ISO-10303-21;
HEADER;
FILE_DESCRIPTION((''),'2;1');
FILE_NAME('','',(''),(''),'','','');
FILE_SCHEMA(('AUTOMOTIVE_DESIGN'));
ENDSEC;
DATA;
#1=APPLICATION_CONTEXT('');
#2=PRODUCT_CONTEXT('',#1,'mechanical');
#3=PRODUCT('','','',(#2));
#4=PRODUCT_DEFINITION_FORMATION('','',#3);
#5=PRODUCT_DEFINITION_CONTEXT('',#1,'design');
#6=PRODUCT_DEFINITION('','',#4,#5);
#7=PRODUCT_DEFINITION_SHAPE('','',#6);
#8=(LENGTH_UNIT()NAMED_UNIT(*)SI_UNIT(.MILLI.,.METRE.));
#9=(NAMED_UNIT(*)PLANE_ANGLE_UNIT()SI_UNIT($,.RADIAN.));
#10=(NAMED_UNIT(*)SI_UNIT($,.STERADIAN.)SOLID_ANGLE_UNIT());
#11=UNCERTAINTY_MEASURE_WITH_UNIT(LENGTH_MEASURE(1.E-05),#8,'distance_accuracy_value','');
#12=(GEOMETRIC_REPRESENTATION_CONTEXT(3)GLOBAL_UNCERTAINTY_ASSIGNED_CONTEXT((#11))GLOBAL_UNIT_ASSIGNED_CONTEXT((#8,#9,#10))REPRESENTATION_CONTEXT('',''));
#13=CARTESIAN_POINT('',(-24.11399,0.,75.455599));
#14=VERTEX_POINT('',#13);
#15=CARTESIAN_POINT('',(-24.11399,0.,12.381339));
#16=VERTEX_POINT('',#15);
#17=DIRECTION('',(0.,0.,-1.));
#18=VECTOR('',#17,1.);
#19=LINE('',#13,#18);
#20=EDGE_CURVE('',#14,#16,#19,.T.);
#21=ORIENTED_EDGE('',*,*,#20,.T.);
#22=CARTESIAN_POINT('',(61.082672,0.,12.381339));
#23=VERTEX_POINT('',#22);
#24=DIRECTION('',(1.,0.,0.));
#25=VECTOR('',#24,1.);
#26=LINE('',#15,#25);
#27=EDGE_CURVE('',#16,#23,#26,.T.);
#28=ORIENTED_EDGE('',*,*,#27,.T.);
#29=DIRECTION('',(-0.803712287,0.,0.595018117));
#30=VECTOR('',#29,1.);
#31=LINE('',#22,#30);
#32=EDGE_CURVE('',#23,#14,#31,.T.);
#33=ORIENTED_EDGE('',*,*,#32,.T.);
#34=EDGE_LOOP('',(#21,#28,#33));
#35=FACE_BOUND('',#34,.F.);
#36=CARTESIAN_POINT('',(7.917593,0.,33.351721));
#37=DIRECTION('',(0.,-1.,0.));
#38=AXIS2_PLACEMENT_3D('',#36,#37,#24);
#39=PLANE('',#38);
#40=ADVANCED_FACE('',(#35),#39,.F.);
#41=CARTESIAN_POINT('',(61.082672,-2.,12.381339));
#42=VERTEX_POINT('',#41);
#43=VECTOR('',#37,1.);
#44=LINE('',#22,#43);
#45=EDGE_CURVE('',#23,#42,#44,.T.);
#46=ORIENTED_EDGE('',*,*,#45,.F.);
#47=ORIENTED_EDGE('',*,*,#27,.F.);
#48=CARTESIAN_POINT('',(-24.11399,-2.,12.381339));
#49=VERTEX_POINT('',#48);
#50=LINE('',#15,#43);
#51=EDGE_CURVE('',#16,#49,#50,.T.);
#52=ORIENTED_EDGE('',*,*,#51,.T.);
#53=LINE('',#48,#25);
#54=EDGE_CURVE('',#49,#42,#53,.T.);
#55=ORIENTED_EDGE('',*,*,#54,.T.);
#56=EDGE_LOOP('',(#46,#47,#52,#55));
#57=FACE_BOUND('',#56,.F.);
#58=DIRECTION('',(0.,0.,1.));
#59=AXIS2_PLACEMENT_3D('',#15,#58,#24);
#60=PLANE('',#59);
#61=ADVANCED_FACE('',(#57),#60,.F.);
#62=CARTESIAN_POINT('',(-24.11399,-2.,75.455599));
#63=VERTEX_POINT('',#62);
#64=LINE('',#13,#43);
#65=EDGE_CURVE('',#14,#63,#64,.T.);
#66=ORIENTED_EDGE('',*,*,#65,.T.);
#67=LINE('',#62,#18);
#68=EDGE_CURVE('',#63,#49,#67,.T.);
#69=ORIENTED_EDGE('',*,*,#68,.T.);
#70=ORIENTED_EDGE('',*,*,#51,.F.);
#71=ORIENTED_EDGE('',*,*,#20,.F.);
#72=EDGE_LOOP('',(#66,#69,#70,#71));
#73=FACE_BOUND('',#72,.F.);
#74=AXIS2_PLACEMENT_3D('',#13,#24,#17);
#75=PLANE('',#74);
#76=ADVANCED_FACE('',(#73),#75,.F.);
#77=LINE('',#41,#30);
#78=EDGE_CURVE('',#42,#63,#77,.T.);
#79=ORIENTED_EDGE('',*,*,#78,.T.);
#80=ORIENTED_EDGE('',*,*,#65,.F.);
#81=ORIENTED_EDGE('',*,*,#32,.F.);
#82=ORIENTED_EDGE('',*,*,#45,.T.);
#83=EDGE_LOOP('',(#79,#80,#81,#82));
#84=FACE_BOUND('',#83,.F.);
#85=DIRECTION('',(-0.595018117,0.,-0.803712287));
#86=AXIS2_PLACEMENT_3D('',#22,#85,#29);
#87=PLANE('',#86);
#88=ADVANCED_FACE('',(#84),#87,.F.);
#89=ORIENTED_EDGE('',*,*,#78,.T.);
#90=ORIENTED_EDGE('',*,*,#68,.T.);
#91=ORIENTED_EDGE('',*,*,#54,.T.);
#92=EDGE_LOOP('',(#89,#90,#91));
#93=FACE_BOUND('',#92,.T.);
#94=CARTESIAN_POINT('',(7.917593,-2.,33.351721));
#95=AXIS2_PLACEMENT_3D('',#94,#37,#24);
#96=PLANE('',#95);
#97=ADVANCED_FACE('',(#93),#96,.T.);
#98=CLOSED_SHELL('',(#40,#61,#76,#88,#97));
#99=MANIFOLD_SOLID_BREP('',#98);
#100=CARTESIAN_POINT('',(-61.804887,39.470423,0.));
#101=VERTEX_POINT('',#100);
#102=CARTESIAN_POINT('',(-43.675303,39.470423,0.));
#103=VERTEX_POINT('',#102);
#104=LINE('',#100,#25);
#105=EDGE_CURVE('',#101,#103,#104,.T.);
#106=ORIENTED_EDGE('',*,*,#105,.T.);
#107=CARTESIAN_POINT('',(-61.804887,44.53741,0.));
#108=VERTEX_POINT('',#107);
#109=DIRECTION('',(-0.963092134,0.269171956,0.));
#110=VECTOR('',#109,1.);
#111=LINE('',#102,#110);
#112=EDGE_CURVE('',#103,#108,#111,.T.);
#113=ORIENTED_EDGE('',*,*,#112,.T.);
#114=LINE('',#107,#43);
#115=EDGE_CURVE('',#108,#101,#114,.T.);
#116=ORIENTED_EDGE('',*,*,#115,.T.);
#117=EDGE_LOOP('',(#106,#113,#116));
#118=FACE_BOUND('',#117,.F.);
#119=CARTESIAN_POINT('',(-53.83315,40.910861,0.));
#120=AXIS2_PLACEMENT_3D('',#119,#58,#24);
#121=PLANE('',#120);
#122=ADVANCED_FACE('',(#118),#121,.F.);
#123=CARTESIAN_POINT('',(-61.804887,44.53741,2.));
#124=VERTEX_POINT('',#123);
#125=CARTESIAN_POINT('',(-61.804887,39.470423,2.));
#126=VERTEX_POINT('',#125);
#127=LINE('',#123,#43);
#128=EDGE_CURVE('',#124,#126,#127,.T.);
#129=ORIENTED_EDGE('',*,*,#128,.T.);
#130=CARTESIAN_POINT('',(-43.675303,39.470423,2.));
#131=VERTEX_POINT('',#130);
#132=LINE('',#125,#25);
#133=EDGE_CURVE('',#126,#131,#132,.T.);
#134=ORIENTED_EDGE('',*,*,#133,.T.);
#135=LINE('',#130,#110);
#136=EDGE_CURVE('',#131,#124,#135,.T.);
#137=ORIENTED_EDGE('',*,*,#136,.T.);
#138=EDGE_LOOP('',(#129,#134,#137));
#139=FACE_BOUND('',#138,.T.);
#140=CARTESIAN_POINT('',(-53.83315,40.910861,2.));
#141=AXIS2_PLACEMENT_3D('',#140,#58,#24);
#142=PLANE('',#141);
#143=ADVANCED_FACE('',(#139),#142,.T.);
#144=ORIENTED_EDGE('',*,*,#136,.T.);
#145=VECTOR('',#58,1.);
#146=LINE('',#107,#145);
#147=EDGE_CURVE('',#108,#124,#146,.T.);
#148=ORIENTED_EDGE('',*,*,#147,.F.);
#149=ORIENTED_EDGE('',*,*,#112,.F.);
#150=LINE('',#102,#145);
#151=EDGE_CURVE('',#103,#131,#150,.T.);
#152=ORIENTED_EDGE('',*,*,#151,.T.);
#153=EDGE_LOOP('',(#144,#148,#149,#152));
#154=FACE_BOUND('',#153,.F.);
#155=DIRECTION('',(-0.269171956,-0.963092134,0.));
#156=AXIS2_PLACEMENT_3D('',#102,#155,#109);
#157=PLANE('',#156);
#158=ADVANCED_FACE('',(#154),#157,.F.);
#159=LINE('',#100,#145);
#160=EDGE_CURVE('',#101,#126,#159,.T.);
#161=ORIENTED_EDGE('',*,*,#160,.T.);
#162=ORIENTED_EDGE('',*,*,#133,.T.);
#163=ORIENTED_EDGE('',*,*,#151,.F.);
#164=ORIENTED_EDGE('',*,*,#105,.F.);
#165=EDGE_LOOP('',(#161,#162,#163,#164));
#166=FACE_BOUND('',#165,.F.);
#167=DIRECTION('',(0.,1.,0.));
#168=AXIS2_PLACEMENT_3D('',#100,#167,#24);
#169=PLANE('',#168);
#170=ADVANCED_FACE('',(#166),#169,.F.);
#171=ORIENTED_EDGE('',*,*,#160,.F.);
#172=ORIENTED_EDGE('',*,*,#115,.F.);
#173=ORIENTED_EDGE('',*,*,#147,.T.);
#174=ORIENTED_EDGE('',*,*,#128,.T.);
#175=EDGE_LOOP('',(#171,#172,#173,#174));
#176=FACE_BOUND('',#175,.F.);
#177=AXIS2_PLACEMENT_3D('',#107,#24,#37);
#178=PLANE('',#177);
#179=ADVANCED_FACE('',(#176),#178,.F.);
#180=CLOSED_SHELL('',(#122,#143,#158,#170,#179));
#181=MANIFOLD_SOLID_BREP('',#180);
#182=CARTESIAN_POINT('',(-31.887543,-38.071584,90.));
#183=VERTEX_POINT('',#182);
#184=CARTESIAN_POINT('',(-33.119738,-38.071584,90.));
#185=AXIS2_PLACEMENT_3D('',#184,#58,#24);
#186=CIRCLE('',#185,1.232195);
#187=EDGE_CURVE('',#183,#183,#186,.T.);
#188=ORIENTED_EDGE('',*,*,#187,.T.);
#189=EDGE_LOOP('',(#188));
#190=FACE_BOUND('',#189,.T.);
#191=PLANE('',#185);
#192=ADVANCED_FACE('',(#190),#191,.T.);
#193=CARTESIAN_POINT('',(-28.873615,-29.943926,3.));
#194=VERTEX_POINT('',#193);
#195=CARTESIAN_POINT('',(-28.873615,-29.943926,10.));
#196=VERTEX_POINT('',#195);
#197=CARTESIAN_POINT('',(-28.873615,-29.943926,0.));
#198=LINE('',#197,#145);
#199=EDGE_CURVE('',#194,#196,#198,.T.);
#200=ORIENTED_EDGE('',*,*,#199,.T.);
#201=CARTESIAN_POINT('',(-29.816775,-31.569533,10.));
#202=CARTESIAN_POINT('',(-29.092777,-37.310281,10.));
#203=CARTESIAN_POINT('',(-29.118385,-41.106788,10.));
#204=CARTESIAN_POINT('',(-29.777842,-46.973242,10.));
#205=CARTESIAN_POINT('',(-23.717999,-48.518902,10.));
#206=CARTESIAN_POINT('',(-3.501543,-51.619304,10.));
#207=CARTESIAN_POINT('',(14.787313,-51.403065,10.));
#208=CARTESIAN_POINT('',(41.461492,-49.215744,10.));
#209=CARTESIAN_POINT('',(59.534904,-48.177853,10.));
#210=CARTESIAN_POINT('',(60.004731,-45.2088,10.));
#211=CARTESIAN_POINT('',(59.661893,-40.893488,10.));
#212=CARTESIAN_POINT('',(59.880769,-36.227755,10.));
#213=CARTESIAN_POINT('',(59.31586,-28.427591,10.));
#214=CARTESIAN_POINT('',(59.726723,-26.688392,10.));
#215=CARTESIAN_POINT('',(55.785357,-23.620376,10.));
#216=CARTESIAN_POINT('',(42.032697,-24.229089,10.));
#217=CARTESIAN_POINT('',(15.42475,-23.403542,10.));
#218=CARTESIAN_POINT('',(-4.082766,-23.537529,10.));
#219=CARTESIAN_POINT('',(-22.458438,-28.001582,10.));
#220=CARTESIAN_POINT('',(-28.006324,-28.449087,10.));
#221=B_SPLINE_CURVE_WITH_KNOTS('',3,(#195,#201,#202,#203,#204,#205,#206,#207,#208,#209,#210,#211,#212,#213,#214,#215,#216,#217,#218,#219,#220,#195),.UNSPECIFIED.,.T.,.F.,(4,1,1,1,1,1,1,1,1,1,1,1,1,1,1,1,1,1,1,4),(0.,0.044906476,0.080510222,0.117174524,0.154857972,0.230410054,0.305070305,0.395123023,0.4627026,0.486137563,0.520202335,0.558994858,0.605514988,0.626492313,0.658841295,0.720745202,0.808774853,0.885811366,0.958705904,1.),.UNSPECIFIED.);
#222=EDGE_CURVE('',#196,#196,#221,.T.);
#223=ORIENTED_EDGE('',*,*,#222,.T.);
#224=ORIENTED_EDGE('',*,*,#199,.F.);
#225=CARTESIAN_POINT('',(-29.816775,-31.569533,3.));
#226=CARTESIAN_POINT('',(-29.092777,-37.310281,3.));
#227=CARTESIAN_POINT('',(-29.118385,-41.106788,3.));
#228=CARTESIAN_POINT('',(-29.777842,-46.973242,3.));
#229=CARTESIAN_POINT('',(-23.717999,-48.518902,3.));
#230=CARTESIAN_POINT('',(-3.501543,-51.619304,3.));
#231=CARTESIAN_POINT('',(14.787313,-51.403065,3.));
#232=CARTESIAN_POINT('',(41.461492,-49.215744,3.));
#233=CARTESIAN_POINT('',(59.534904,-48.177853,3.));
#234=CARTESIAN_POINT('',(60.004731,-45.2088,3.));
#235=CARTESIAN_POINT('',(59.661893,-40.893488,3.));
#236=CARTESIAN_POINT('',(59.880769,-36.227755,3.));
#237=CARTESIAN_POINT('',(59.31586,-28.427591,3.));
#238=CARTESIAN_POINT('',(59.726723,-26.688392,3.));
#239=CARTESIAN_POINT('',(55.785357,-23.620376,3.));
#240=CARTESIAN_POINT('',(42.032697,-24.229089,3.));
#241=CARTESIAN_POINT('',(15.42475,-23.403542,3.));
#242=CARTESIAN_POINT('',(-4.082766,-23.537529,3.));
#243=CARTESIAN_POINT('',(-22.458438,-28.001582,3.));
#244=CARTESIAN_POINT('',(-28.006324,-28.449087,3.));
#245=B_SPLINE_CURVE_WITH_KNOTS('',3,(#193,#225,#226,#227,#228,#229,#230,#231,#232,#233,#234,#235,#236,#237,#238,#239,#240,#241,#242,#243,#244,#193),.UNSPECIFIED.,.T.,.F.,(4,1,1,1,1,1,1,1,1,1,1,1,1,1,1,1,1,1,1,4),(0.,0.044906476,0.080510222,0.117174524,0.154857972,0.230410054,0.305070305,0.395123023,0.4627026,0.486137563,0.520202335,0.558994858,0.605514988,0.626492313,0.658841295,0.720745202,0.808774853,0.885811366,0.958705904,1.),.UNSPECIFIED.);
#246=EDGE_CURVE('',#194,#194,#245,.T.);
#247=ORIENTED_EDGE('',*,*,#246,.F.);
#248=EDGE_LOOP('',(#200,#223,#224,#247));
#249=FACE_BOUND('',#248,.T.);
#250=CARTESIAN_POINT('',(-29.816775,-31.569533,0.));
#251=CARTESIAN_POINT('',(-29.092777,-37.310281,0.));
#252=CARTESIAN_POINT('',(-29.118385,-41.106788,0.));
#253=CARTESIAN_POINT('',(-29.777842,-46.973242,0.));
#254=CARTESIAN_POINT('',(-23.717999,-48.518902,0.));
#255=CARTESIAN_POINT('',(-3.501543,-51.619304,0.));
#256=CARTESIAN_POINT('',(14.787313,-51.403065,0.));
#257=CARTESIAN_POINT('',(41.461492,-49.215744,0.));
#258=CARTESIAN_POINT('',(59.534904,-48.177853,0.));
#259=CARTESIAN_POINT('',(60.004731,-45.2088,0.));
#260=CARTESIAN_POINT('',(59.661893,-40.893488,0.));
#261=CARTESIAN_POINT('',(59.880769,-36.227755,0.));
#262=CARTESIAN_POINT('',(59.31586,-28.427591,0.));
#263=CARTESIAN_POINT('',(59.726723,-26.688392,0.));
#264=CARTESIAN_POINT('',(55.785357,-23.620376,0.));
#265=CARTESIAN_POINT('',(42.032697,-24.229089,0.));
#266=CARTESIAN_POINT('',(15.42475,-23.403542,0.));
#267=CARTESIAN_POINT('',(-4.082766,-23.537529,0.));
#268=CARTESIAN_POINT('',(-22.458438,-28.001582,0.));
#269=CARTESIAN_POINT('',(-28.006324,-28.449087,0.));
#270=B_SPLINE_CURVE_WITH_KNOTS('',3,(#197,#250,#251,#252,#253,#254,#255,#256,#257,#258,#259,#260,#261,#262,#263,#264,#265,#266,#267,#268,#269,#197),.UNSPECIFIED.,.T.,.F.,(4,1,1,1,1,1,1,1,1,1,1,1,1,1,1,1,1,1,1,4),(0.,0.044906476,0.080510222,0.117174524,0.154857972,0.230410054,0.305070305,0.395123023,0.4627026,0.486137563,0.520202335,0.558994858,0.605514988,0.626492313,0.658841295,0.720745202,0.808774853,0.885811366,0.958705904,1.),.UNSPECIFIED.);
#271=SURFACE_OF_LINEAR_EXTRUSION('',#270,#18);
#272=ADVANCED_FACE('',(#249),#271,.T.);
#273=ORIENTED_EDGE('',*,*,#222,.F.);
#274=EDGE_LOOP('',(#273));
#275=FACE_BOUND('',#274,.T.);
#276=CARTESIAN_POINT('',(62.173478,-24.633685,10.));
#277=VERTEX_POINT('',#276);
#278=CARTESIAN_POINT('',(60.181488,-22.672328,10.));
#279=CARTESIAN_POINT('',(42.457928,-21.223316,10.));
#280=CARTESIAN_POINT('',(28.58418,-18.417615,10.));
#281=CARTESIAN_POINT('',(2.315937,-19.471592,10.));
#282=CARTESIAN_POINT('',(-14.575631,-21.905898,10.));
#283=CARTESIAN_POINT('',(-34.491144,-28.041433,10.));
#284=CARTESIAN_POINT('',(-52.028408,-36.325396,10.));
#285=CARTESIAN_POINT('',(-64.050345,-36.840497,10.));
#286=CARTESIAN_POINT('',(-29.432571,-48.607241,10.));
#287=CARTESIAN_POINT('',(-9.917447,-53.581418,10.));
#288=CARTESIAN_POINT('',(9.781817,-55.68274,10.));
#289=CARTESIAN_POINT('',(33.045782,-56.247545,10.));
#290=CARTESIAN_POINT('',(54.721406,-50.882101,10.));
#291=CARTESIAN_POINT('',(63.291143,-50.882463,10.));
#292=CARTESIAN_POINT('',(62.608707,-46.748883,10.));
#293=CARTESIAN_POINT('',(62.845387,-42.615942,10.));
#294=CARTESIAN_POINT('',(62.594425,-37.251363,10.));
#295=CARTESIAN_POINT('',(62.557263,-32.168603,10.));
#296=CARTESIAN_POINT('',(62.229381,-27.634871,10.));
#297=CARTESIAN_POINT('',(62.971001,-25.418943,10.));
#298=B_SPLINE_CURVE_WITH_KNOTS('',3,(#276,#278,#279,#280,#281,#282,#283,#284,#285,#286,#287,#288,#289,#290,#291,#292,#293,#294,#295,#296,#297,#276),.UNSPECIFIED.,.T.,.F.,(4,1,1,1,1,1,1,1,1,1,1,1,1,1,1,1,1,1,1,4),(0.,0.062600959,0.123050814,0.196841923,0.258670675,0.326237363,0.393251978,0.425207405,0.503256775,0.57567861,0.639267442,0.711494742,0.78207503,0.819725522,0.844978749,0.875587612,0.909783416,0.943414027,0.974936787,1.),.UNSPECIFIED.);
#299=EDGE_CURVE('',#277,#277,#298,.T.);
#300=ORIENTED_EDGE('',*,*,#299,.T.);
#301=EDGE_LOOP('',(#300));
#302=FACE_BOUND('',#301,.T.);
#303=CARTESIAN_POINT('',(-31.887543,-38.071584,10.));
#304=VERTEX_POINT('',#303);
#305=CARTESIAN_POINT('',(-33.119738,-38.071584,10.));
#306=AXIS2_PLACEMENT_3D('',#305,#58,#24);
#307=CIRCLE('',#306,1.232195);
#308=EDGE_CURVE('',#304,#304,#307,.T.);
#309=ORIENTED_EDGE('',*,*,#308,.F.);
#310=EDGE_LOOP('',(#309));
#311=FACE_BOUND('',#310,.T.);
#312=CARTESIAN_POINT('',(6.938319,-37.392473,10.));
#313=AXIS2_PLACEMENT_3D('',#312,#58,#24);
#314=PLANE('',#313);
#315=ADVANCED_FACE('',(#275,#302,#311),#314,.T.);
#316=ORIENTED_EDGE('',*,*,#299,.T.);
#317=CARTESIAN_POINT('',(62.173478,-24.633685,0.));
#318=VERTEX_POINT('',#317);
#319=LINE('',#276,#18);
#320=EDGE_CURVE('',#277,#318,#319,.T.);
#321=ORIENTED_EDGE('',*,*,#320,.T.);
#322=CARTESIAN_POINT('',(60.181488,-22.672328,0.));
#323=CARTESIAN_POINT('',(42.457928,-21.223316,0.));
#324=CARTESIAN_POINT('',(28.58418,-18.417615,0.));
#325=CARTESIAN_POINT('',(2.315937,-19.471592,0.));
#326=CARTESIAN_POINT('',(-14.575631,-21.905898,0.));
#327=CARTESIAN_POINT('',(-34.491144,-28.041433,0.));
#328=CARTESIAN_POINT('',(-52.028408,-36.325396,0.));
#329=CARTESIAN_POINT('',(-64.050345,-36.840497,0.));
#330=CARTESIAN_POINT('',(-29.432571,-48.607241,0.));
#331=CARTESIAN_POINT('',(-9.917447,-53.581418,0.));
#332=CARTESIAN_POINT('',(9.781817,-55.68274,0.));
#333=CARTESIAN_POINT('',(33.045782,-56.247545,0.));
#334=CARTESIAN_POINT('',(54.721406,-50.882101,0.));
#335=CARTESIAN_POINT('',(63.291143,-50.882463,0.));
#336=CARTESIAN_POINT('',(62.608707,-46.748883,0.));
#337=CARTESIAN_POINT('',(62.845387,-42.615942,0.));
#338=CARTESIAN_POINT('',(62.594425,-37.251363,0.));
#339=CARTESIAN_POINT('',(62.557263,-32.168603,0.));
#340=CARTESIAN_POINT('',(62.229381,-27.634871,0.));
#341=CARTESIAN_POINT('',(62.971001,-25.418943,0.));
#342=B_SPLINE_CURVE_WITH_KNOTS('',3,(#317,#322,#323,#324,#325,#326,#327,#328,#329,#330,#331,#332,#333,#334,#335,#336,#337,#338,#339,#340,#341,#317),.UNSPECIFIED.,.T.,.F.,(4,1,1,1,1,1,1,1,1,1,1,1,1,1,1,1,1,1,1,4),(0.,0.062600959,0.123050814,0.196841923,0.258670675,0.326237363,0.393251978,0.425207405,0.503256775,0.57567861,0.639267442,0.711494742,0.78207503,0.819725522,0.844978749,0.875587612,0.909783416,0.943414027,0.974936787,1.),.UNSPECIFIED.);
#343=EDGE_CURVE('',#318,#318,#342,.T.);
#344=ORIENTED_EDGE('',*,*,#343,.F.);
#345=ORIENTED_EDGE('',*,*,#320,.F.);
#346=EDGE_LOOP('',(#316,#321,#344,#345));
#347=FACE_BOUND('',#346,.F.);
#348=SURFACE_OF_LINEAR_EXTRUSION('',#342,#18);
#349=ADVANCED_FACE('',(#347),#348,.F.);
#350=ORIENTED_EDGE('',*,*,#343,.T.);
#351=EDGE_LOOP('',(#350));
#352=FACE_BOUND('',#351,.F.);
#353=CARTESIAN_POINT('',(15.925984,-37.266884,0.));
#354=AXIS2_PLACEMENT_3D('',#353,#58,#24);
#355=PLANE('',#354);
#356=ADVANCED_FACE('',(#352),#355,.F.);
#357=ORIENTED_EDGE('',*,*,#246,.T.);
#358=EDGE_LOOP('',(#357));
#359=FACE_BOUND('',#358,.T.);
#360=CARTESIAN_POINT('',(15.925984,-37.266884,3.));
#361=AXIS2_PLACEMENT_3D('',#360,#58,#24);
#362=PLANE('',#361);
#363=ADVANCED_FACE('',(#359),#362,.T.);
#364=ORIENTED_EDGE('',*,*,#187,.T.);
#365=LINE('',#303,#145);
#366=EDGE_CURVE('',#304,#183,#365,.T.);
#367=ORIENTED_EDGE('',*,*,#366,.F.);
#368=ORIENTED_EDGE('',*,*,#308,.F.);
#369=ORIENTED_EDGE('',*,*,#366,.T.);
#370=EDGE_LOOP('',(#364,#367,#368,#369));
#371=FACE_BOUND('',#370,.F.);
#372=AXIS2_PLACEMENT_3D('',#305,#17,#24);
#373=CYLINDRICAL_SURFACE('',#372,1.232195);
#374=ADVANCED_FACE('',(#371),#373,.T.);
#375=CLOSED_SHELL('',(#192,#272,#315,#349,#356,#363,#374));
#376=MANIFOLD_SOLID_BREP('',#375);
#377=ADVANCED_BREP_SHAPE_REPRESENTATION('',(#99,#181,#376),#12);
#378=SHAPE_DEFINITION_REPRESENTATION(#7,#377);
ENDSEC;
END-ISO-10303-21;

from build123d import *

# Parameters (mm, degrees)
F2_DEPTH  = 10
F3_DEPTH  = 3
F4_R      = 1.232194947
F5_DEPTH  = 80
F7_DEPTH  = 2
F10_DEPTH = 2
F12_DEPTH = 2


with BuildPart() as f2:
    # F1 (on face) → F2 (new body)
    with BuildSketch(Plane.XY):
        with BuildLine():
            add(Edge.make_bspline(
                [(62.1734783053, -24.6336851269), (60.1814875918, -22.6723282741), (42.4579282442, -21.2233156877), (28.5841804691, -18.4176145714), (2.3159366191, -19.4715923132), (-14.5756311488, -21.9058984736), (-34.4911444794, -28.0414334991), (-52.0284082974, -36.3253964756), (-64.0503454592, -36.8404965588), (-29.4325707628, -48.6072410245), (-9.917446658, -53.5814177918), (9.7818172544, -55.6827404088), (33.0457819486, -56.2475451445), (54.7214056491, -50.8821007389), (63.291142511, -50.8824632753), (62.6087066782, -46.7488834829), (62.8453866437, -42.6159422583), (62.5944247472, -37.2513629838), (62.5572626458, -32.1686032502), (62.229380668, -27.6348713286), (62.971001028, -25.4189431338), (62.1734783053, -24.6336851269)],
                knots=[0, 0, 0, 0, 0.0626009592, 0.1230508144, 0.1968419234, 0.2586706746, 0.3262373635, 0.3932519783, 0.425207405, 0.5032567748, 0.5756786096, 0.6392674415, 0.7114947416, 0.7820750299, 0.819725522, 0.844978749, 0.8755876123, 0.9097834163, 0.9434140272, 0.9749367871, 1, 1, 1, 1], degree=3))
        make_face()
        with BuildLine():
            add(Edge.make_bspline(
                [(-28.8736149669, -29.9439262599), (-29.8167754969, -31.5695332164), (-29.0927765799, -37.3102807584), (-29.1183847678, -41.1067880995), (-29.7778417223, -46.9732424847), (-23.7179994754, -48.5189020337), (-3.5015428847, -51.6193039615), (14.7873125439, -51.4030652606), (41.461491678, -49.2157435494), (59.53490368, -48.1778532466), (60.0047306305, -45.2088000616), (59.6618934913, -40.893487685), (59.8807690343, -36.2277546689), (59.3158597551, -28.4275907291), (59.7267227045, -26.6883915485), (55.7853567038, -23.6203760913), (42.0326965552, -24.2290888362), (15.4247498641, -23.4035419471), (-4.082765923, -23.5375288001), (-22.4584375684, -28.0015823112), (-28.0063244266, -28.4490868442), (-28.8736149669, -29.9439262599)],
                knots=[0, 0, 0, 0, 0.0449064757, 0.0805102216, 0.1171745239, 0.1548579718, 0.2304100536, 0.3050703052, 0.3951230226, 0.4627026, 0.4861375632, 0.5202023347, 0.558994858, 0.6055149885, 0.6264923126, 0.6588412953, 0.7207452021, 0.808774853, 0.8858113664, 0.9587059039, 1, 1, 1, 1], degree=3))
        make_face(mode=Mode.SUBTRACT)
    extrude(amount=F2_DEPTH)

    # F1 (on face) + F0 (on Top) → F3 (join)
    with BuildSketch(Plane.XY):
        with BuildLine():
            add(Edge.make_bspline(
                [(-28.8736149669, -29.9439262599), (-29.8167754969, -31.5695332164), (-29.0927765799, -37.3102807584), (-29.1183847678, -41.1067880995), (-29.7778417223, -46.9732424847), (-23.7179994754, -48.5189020337), (-3.5015428847, -51.6193039615), (14.7873125439, -51.4030652606), (41.461491678, -49.2157435494), (59.53490368, -48.1778532466), (60.0047306305, -45.2088000616), (59.6618934913, -40.893487685), (59.8807690343, -36.2277546689), (59.3158597551, -28.4275907291), (59.7267227045, -26.6883915485), (55.7853567038, -23.6203760913), (42.0326965552, -24.2290888362), (15.4247498641, -23.4035419471), (-4.082765923, -23.5375288001), (-22.4584375684, -28.0015823112), (-28.0063244266, -28.4490868442), (-28.8736149669, -29.9439262599)],
                knots=[0, 0, 0, 0, 0.0449064757, 0.0805102216, 0.1171745239, 0.1548579718, 0.2304100536, 0.3050703052, 0.3951230226, 0.4627026, 0.4861375632, 0.5202023347, 0.558994858, 0.6055149885, 0.6264923126, 0.6588412953, 0.7207452021, 0.808774853, 0.8858113664, 0.9587059039, 1, 1, 1, 1], degree=3))
        make_face()
    with BuildSketch(Plane.XY):
        with BuildLine():
            add(Edge.make_bspline(
                [(62.1734783053, -24.6336851269), (60.1814875918, -22.6723282741), (42.4579282442, -21.2233156877), (28.5841804691, -18.4176145714), (2.3159366191, -19.4715923132), (-14.5756311488, -21.9058984736), (-34.4911444794, -28.0414334991), (-52.0284082974, -36.3253964756), (-64.0503454592, -36.8404965588), (-29.4325707628, -48.6072410245), (-9.917446658, -53.5814177918), (9.7818172544, -55.6827404088), (33.0457819486, -56.2475451445), (54.7214056491, -50.8821007389), (63.291142511, -50.8824632753), (62.6087066782, -46.7488834829), (62.8453866437, -42.6159422583), (62.5944247472, -37.2513629838), (62.5572626458, -32.1686032502), (62.229380668, -27.6348713286), (62.971001028, -25.4189431338), (62.1734783053, -24.6336851269)],
                knots=[0, 0, 0, 0, 0.0626009592, 0.1230508144, 0.1968419234, 0.2586706746, 0.3262373635, 0.3932519783, 0.425207405, 0.5032567748, 0.5756786096, 0.6392674415, 0.7114947416, 0.7820750299, 0.819725522, 0.844978749, 0.8755876123, 0.9097834163, 0.9434140272, 0.9749367871, 1, 1, 1, 1], degree=3))
        make_face()
    extrude(amount=F3_DEPTH)

    # F4 (on face) → F5 (join)
    with BuildSketch(Plane.XY.offset(10)):
        with Locations((-33.119738102, -38.0715839565)):
            Circle(F4_R)
    extrude(amount=F5_DEPTH)


with BuildPart() as f7:
    # F6 (on Top) → F7 (new body)
    with BuildSketch(Plane.XY):
        Polygon((-30.2884634584, 63.3727833629), (-30.2884634584, 0), (41.7825467885, 0), align=None)
    extrude(amount=F7_DEPTH)


with BuildPart() as f10:
    # F9 (on Front) → F10 (new body)
    with BuildSketch(Plane.XZ):
        Polygon((61.0826723278, 12.3813385144), (-24.1139903665, 75.4555985332), (-24.1139903665, 12.3813385144), align=None)
    extrude(amount=F10_DEPTH)


with BuildPart() as f12:
    # F11 (on Top) → F12 (new body)
    with BuildSketch(Plane.XY):
        Polygon((-43.6753034592, 39.470423013), (-61.8048869073, 44.53741014), (-61.8048869073, 39.470423013), align=None)
    extrude(amount=F12_DEPTH)


solid = Compound([f2.part, f10.part, f12.part])
